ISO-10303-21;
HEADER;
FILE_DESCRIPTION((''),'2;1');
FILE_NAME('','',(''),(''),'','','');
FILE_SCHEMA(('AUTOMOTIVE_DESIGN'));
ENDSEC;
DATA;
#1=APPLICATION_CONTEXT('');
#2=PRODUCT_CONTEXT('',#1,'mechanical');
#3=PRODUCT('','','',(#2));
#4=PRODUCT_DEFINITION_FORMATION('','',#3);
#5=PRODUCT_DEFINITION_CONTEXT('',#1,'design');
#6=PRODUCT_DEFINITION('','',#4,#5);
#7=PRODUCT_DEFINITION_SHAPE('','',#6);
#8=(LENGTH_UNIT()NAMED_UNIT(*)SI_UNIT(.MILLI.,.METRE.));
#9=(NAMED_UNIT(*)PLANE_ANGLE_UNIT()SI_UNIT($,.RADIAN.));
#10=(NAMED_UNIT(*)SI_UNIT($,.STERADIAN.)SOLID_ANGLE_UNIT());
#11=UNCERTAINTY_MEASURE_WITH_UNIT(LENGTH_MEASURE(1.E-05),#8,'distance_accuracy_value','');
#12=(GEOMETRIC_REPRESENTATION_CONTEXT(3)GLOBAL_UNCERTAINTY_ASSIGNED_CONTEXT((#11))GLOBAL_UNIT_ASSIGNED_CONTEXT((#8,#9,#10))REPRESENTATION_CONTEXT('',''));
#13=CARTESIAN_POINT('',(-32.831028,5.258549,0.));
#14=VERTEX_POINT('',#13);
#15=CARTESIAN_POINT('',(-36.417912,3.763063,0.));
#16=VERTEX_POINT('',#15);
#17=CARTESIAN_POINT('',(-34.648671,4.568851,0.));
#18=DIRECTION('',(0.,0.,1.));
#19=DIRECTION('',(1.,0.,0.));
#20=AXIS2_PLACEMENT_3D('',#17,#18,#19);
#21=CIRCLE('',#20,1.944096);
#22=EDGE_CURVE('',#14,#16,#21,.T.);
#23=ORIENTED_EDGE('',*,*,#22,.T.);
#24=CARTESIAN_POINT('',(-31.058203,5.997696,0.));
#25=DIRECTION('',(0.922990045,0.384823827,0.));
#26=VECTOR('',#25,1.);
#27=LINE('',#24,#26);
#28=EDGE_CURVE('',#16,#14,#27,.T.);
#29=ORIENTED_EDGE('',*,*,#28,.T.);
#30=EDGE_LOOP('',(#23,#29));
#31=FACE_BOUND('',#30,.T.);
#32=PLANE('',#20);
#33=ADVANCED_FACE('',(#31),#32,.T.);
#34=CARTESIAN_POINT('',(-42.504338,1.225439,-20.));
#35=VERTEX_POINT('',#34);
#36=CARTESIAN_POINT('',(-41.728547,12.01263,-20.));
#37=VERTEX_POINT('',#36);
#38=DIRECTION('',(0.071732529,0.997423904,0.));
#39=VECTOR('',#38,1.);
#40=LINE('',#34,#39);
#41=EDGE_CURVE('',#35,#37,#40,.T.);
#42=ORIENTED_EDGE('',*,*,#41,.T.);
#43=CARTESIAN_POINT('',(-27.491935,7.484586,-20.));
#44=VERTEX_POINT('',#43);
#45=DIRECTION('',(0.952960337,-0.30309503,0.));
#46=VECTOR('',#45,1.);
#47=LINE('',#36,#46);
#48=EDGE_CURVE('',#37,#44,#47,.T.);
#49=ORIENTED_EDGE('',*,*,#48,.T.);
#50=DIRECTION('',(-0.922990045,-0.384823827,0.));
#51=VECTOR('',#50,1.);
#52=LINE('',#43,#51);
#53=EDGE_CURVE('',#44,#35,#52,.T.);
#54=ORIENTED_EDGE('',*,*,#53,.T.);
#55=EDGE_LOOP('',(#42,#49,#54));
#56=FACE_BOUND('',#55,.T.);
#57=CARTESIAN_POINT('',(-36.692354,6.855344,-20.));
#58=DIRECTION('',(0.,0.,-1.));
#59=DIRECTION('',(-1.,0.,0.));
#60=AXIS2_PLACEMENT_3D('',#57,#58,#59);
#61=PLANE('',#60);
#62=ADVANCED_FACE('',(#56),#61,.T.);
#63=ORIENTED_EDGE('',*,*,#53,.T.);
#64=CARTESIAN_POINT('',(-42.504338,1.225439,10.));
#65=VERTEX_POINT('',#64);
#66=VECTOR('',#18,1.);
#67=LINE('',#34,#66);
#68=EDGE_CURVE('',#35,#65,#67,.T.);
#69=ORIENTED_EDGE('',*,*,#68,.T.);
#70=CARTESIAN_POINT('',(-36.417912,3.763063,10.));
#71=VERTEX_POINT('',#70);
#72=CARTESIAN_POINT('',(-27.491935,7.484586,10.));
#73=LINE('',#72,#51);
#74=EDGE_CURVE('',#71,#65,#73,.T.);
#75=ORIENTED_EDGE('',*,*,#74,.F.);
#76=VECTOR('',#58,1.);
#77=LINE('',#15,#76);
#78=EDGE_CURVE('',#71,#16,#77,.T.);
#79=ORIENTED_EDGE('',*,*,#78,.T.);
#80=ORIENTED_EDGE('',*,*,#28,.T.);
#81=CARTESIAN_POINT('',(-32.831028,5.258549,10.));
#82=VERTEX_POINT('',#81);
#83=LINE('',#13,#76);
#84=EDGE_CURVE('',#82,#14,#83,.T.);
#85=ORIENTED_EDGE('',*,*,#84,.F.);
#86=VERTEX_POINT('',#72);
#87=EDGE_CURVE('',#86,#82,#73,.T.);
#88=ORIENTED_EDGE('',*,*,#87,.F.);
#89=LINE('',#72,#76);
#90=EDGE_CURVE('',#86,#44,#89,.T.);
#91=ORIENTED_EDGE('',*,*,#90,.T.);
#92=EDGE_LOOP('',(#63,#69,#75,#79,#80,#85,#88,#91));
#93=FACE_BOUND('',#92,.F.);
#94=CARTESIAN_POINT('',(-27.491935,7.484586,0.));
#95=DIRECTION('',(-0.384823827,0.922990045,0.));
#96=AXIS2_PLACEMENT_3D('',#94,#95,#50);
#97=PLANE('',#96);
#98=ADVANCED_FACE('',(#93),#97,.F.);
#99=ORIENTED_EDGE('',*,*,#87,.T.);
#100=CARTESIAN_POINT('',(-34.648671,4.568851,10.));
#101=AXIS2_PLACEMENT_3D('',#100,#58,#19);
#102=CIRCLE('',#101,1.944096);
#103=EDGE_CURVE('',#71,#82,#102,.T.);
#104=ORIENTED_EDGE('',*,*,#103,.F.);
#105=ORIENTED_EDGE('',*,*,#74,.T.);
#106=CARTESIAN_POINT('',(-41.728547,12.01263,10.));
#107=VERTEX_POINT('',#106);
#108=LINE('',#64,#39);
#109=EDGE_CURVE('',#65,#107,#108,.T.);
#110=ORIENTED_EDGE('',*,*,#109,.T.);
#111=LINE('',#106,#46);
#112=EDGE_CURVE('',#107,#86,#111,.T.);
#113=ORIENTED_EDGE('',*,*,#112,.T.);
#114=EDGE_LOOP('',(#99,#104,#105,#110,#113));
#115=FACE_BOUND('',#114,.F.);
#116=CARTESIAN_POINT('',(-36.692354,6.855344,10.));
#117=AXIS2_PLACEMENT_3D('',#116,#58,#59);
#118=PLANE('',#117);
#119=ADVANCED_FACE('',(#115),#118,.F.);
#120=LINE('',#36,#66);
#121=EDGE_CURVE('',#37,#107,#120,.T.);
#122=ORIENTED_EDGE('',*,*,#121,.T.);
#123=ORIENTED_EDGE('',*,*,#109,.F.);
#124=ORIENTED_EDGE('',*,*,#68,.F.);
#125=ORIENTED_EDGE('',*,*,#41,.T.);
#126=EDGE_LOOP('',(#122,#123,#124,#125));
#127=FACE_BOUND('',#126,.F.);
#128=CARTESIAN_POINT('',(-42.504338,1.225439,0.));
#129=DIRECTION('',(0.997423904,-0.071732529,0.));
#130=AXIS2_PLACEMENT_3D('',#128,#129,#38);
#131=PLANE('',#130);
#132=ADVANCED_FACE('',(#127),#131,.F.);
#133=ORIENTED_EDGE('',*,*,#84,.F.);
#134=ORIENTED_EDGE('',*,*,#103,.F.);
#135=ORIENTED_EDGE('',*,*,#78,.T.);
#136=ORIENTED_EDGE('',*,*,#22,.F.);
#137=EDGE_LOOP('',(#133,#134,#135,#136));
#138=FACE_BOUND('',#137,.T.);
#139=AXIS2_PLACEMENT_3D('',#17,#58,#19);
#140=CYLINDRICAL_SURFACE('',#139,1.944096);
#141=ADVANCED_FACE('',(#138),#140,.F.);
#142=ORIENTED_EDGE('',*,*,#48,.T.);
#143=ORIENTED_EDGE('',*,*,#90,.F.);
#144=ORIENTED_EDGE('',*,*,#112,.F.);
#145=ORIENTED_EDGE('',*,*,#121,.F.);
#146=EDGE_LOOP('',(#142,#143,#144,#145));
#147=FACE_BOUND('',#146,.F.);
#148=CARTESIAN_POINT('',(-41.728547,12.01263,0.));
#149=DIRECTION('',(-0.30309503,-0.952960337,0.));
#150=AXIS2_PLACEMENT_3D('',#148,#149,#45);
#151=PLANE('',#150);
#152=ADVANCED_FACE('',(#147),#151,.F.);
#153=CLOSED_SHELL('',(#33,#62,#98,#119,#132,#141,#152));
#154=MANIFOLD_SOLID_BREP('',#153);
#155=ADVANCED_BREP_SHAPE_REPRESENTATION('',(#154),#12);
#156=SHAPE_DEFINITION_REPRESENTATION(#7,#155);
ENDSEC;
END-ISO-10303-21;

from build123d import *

# Parameters (mm, degrees)
CIRCLE_R              = 1.944096
EXTRUDE010_DEPTH      = 100
EXTRUDE008_DEPTH      = 10
EXTRUDE008_DEPTH_BACK = 20


with BuildPart() as extrude010:
    # Circle → Extrude010 (new body)
    with BuildSketch(Plane(origin=(-34.648671, 4.568851, 0), x_dir=(1, 0, 0), z_dir=(0, 0, 1))):
        Circle(CIRCLE_R)
    extrude(amount=EXTRUDE010_DEPTH)


with BuildPart() as cut:
    # Wire002 → Extrude008 (new body, two sides)
    with BuildSketch(Plane(origin=(-41.728547, 12.01263, 0), x_dir=(1, 0, 0), z_dir=(0, 0, 1))) as extrude008_sk:
        Polygon((0, 0), (14.236612, -4.528044), (-0.775791, -10.787191), align=None)
    extrude(amount=EXTRUDE008_DEPTH)
    extrude(extrude008_sk.sketch, amount=-EXTRUDE008_DEPTH_BACK)

    # Cut: cut Extrude010
    add(extrude010.part, mode=Mode.SUBTRACT)


solid = cut.part
